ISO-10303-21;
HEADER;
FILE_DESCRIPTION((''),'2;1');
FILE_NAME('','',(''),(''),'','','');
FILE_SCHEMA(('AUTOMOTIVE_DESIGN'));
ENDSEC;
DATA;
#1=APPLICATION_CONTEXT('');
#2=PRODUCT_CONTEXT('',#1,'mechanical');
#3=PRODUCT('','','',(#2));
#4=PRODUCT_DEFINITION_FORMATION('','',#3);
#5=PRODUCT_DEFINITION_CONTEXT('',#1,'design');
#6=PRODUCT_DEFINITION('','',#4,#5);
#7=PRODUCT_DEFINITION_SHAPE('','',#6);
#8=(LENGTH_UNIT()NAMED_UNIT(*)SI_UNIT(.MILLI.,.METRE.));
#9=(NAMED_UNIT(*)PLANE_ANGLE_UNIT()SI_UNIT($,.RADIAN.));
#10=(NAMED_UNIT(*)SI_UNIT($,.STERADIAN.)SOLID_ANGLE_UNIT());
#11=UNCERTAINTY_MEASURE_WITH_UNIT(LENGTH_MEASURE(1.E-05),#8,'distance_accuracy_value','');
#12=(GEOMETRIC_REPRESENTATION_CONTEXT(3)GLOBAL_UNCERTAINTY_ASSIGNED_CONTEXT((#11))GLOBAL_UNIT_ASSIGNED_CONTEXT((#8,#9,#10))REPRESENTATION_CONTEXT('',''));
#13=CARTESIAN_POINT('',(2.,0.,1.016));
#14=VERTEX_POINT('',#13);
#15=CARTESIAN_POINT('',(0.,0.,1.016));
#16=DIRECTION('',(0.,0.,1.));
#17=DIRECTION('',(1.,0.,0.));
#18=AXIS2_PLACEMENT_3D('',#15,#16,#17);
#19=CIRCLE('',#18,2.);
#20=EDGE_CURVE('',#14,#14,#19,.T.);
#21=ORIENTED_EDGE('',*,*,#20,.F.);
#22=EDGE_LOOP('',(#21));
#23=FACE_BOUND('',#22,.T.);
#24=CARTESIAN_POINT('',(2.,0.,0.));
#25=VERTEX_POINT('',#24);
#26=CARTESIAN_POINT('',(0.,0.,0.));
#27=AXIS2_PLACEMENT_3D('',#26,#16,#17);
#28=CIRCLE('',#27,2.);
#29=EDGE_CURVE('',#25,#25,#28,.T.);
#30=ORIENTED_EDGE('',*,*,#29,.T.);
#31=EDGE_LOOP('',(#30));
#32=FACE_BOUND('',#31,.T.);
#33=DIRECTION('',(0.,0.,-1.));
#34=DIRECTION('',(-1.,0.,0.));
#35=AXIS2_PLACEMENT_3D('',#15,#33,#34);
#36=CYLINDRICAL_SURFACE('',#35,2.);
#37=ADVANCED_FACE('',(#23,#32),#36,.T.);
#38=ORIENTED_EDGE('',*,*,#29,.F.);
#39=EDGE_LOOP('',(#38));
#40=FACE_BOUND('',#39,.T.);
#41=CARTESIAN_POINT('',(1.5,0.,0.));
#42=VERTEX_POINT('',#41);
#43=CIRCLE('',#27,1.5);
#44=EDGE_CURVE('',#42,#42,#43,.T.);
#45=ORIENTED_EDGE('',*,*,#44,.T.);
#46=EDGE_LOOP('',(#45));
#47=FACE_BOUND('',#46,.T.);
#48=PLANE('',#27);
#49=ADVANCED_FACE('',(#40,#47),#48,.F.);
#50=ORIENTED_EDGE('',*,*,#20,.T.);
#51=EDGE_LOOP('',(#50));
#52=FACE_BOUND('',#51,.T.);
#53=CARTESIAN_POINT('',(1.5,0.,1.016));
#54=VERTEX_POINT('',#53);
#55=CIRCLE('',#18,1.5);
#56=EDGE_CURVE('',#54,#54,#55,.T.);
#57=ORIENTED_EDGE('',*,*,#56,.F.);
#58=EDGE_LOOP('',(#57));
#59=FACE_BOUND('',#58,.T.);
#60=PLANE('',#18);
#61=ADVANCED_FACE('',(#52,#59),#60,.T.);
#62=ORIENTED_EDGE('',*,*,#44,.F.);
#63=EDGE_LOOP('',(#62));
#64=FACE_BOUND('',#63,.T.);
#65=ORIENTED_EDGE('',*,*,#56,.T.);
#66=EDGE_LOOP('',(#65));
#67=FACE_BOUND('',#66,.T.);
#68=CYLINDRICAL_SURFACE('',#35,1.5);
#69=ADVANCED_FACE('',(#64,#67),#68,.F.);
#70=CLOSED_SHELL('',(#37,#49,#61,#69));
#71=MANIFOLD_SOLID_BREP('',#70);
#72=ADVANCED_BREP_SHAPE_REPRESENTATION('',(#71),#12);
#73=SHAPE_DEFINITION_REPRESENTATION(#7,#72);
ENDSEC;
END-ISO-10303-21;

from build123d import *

# Parameters (mm, degrees)
SKETCH1_R      = 2
SKETCH1_R_2    = 1.5
EXTRUDE1_DEPTH = 1.016


with BuildPart() as part:
    # Sketch1 → Extrude1 (new body)
    with BuildSketch(Plane.XY):
        Circle(SKETCH1_R)
        Circle(SKETCH1_R_2, mode=Mode.SUBTRACT)
    extrude(amount=EXTRUDE1_DEPTH)


solid = part.part
